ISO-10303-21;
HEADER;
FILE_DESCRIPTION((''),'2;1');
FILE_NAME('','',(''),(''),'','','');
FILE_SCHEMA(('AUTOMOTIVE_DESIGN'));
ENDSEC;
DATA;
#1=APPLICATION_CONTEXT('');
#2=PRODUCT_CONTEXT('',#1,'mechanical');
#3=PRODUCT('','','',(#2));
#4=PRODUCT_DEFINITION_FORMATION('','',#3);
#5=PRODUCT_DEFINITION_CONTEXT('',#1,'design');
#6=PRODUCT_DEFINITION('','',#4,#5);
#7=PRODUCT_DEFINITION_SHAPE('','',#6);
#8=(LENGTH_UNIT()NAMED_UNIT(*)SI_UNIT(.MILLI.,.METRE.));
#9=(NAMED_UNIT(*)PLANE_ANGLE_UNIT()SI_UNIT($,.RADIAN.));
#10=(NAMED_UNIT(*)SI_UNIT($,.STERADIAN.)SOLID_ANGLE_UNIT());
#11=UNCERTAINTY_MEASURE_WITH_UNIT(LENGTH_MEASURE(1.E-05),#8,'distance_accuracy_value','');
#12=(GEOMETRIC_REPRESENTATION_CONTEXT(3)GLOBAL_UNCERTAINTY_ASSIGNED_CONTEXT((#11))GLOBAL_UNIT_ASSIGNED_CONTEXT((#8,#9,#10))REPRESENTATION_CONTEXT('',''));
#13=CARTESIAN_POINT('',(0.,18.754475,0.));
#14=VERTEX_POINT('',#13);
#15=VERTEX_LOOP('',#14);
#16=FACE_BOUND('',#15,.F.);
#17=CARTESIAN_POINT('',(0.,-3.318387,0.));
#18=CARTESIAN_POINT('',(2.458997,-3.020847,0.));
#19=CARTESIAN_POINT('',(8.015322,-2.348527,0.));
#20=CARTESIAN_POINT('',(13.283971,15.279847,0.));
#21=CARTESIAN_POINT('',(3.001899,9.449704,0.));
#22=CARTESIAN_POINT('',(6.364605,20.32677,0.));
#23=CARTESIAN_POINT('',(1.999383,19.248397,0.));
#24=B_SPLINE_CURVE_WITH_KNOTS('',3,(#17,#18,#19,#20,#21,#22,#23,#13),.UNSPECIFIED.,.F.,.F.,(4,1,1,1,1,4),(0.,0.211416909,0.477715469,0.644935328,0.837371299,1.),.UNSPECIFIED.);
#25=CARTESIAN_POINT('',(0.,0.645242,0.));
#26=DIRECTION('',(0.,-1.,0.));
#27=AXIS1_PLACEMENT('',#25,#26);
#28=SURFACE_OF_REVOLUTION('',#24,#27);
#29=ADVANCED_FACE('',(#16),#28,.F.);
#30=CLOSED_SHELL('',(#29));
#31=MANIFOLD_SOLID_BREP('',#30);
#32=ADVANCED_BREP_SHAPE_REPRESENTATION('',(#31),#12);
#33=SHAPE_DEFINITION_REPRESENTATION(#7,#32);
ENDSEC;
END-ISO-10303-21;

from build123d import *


with BuildPart() as f1:
    # F0 (on Top) → F1 (revolve)
    with BuildSketch(Plane.XY):
        with BuildLine():
            Line((0, 18.7544748187), (0, 4.6088709496))
            Line((0, 4.6088709496), (0, -3.3183873165))
            add(Edge.make_bspline(
                [(0, -3.3183873165), (2.4589972389, -3.0208466732), (8.0153220579, -2.3485269019), (13.2839712017, 15.2798465174), (3.0018987139, 9.4497038651), (6.3646051345, 20.3267696074), (1.9993832647, 19.2483970372), (0, 18.7544748187)],
                knots=[0, 0, 0, 0, 0.2114169092, 0.4777154693, 0.6449353282, 0.8373712989, 1, 1, 1, 1], degree=3))
        make_face()
    revolve(axis=Axis((0, 0.6452418165, 0), (0, -1, 0)))


solid = f1.part
